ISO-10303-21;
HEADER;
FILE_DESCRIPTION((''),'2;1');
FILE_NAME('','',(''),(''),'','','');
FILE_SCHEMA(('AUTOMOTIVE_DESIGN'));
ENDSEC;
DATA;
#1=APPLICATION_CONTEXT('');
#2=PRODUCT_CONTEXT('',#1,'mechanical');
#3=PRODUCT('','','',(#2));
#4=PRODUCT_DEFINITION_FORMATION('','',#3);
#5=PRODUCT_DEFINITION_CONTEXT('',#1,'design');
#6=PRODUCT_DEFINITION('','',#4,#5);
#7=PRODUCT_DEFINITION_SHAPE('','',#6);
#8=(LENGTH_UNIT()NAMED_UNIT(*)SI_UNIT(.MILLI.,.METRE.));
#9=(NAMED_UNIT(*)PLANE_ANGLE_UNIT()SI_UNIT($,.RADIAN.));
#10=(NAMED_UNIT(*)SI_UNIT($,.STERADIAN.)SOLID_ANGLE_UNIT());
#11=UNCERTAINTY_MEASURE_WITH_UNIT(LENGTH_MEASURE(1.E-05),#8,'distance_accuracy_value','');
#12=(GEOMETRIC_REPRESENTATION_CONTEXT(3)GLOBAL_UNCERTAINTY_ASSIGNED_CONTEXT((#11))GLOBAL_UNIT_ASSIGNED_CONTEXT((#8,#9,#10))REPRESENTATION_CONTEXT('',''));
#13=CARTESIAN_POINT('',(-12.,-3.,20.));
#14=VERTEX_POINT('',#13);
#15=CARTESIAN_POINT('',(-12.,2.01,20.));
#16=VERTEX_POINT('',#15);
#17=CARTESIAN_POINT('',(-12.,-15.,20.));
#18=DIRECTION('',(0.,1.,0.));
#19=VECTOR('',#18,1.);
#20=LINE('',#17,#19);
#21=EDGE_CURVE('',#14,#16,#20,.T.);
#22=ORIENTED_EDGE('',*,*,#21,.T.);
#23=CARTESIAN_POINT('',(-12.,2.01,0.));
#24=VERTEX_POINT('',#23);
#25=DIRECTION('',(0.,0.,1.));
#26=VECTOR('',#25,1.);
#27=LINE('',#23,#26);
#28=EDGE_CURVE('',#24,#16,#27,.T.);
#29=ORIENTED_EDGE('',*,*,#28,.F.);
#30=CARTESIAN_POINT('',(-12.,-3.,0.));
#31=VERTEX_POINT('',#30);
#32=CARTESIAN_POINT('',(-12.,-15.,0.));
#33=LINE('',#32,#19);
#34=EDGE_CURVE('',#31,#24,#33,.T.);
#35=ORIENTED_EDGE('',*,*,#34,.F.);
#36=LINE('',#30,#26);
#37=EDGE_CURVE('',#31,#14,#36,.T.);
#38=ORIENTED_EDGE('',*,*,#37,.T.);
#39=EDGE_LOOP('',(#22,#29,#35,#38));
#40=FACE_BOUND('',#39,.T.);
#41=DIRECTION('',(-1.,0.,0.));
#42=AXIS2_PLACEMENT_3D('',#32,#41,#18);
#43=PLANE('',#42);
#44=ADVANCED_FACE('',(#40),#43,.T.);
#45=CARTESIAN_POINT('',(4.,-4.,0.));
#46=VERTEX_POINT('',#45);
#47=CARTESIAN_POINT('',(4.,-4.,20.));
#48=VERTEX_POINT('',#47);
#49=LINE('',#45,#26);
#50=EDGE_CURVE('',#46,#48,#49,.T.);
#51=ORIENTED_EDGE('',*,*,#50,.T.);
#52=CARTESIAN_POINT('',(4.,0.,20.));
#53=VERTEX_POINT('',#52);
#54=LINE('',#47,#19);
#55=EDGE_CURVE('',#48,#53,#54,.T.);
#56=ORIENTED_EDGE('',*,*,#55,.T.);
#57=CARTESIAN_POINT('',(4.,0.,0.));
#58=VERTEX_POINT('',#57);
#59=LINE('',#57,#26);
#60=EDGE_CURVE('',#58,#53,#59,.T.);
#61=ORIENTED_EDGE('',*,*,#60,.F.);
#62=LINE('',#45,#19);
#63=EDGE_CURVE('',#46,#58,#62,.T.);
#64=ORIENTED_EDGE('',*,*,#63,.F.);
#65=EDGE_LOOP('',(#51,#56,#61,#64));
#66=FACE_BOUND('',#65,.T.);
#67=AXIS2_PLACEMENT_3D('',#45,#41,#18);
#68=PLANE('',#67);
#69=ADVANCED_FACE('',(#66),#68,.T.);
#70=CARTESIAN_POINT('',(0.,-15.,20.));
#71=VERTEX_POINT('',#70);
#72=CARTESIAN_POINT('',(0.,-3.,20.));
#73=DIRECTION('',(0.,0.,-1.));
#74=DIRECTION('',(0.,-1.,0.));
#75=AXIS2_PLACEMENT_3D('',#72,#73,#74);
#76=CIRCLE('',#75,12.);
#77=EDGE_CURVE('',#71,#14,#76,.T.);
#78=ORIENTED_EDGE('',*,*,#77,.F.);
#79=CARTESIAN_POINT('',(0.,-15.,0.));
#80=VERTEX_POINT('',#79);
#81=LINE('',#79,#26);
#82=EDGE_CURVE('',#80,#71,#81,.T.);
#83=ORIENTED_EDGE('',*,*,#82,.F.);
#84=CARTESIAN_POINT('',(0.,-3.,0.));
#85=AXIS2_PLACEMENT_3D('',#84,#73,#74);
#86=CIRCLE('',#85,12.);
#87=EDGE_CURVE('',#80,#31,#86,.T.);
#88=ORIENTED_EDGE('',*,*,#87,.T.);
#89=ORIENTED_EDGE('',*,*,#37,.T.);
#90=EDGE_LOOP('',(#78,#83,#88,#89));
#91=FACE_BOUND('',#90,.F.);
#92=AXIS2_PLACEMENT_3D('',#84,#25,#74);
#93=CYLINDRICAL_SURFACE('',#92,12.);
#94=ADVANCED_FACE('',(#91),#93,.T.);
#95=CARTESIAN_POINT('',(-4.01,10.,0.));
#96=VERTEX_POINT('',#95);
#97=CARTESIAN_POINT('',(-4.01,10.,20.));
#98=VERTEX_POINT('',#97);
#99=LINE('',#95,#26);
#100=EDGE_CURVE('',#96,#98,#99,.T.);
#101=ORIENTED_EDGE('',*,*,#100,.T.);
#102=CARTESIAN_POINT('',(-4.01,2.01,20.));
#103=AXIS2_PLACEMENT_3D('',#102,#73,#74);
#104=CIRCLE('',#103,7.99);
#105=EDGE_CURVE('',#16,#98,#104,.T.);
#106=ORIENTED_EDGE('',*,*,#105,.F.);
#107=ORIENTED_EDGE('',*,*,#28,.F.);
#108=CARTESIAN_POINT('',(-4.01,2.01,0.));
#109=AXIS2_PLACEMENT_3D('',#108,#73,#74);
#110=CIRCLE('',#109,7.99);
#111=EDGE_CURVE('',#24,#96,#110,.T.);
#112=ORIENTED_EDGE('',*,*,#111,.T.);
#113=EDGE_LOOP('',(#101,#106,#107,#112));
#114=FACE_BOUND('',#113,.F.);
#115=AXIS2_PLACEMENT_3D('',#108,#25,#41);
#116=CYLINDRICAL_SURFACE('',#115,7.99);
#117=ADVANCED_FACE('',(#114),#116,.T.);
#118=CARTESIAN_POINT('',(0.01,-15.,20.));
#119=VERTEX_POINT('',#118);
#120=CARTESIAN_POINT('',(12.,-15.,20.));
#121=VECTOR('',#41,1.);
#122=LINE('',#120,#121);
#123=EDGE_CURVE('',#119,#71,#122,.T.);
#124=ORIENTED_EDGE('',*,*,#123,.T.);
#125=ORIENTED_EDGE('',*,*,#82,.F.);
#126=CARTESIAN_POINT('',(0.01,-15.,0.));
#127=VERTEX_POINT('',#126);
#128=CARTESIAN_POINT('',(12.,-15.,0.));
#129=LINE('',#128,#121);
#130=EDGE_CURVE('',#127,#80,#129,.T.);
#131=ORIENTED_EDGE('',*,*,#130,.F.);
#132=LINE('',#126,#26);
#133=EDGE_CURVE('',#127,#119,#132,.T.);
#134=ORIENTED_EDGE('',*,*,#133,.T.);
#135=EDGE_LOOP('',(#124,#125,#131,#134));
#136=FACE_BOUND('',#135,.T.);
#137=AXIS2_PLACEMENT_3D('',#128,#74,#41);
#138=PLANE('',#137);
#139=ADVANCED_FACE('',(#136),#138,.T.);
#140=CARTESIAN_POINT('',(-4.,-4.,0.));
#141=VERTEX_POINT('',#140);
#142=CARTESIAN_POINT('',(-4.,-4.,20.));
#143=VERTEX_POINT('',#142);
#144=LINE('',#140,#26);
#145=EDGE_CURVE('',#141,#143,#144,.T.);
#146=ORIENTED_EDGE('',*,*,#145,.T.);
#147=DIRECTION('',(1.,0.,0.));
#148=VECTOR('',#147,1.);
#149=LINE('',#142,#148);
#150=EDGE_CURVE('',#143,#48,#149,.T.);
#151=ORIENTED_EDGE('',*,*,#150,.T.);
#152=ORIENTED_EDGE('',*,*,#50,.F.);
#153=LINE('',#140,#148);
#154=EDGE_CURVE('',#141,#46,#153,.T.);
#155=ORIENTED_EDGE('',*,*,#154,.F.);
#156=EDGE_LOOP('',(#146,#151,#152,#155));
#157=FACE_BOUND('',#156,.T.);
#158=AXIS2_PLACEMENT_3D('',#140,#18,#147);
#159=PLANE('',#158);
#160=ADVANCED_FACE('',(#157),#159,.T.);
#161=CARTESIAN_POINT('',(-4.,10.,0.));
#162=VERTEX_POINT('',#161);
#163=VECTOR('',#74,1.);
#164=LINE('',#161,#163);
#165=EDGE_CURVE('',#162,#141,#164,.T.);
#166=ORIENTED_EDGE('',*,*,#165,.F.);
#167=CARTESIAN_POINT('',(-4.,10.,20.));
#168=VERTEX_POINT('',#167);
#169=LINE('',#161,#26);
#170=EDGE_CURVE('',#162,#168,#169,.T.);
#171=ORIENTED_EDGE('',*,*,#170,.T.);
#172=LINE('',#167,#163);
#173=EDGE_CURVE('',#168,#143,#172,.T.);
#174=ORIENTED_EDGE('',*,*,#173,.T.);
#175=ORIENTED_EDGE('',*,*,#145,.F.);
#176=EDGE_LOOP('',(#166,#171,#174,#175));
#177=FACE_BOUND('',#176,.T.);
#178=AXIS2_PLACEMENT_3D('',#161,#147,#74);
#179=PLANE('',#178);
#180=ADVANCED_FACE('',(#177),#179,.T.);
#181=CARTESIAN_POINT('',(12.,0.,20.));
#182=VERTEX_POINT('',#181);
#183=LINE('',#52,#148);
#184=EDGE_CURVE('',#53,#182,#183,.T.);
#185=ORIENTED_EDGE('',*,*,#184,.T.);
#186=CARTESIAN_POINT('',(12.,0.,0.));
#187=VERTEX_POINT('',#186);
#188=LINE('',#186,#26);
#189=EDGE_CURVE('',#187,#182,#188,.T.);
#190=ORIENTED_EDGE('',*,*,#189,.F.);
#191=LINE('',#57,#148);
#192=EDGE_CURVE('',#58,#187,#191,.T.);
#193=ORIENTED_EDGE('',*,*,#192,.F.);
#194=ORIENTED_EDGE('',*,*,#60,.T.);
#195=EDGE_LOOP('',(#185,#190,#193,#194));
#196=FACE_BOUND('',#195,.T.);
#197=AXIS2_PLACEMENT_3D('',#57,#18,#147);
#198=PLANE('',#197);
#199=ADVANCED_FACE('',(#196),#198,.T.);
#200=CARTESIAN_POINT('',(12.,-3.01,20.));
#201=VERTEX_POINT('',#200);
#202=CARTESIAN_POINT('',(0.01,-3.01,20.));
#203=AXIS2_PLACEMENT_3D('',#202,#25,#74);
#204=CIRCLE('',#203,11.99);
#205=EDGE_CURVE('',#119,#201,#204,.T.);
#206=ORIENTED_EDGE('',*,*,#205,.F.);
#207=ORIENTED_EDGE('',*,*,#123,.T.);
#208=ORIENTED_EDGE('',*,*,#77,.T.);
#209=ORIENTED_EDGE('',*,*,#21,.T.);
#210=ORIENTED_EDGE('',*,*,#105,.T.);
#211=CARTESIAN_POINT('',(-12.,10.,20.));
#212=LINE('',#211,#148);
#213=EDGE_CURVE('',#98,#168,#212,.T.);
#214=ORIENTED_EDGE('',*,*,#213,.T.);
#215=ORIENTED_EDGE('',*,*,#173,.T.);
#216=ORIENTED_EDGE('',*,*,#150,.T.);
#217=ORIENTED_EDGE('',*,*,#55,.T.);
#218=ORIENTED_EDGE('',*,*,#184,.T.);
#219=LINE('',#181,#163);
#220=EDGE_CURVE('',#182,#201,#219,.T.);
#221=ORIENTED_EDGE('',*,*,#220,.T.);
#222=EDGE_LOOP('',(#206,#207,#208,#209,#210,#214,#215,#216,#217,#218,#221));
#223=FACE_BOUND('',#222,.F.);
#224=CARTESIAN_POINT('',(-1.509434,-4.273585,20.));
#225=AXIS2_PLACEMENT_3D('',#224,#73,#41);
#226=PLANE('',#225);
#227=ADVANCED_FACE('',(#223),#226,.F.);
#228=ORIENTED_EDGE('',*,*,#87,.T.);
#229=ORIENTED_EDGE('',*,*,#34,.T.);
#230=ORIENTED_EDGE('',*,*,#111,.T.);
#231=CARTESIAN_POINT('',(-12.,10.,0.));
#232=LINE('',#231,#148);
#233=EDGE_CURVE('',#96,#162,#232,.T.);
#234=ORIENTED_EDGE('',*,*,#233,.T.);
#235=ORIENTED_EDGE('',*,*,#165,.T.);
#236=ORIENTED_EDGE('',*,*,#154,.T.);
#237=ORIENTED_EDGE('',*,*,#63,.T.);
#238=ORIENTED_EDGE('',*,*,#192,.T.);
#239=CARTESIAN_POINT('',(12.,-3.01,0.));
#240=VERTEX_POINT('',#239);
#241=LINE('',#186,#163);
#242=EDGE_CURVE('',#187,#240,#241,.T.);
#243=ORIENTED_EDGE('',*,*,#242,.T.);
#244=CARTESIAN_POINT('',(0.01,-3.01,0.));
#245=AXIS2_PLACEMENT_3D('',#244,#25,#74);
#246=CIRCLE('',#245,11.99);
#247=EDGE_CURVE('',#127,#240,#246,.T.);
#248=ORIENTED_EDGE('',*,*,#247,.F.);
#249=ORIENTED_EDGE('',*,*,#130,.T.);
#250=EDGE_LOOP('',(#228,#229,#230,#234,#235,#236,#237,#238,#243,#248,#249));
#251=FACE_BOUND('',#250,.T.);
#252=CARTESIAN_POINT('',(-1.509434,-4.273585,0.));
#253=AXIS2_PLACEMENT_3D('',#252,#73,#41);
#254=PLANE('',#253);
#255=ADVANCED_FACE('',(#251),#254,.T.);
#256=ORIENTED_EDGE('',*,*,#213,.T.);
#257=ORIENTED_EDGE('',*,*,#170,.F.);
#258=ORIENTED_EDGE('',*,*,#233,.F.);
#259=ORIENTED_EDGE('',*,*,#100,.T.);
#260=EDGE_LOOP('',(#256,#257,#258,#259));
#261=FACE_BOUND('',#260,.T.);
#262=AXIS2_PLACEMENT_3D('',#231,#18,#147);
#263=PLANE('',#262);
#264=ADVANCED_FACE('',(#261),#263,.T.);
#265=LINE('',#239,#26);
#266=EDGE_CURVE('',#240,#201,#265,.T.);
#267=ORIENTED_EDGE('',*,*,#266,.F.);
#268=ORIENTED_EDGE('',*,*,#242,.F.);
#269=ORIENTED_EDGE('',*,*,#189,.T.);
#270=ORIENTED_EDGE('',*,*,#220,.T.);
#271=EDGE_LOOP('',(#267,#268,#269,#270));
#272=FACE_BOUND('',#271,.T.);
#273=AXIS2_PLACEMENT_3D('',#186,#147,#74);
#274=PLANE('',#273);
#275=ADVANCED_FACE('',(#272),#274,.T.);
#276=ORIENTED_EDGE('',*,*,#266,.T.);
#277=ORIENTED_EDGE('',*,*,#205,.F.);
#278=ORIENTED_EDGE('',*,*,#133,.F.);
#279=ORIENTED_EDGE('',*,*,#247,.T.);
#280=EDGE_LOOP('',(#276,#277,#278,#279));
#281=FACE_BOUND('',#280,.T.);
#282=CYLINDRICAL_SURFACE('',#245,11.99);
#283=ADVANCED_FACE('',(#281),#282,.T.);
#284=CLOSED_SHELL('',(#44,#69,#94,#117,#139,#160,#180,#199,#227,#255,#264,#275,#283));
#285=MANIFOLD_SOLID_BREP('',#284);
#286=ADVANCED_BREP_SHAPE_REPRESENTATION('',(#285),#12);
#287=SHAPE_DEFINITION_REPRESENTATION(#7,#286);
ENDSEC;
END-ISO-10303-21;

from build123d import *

# Parameters (mm, degrees)
PAD_DEPTH   = 20
FILLET_R    = 12
FILLET001_R = 11.99
FILLET002_R = 7.99


with BuildPart() as part:
    # Sketch → Pad (new body)
    with BuildSketch(Plane.XY):
        Polygon((-12, 10), (-4, 10), (-4, -4), (4, -4), (4, 0), (12, 0), (12, -15), (-12, -15), align=None)
    extrude(amount=PAD_DEPTH)

    # Fillet
    fillet_edges = [part.edges().sort_by_distance(p)[0] for p in [
        (-12, -15, 10),
    ]]
    fillet(fillet_edges, radius=FILLET_R)

    # Fillet001
    fillet001_edges = [part.edges().sort_by_distance(p)[0] for p in [
        (12, -15, 10),
    ]]
    fillet(fillet001_edges, radius=FILLET001_R)

    # Fillet002
    fillet002_edges = [part.edges().sort_by_distance(p)[0] for p in [
        (-12, 10, 10),
    ]]
    fillet(fillet002_edges, radius=FILLET002_R)


solid = part.part
